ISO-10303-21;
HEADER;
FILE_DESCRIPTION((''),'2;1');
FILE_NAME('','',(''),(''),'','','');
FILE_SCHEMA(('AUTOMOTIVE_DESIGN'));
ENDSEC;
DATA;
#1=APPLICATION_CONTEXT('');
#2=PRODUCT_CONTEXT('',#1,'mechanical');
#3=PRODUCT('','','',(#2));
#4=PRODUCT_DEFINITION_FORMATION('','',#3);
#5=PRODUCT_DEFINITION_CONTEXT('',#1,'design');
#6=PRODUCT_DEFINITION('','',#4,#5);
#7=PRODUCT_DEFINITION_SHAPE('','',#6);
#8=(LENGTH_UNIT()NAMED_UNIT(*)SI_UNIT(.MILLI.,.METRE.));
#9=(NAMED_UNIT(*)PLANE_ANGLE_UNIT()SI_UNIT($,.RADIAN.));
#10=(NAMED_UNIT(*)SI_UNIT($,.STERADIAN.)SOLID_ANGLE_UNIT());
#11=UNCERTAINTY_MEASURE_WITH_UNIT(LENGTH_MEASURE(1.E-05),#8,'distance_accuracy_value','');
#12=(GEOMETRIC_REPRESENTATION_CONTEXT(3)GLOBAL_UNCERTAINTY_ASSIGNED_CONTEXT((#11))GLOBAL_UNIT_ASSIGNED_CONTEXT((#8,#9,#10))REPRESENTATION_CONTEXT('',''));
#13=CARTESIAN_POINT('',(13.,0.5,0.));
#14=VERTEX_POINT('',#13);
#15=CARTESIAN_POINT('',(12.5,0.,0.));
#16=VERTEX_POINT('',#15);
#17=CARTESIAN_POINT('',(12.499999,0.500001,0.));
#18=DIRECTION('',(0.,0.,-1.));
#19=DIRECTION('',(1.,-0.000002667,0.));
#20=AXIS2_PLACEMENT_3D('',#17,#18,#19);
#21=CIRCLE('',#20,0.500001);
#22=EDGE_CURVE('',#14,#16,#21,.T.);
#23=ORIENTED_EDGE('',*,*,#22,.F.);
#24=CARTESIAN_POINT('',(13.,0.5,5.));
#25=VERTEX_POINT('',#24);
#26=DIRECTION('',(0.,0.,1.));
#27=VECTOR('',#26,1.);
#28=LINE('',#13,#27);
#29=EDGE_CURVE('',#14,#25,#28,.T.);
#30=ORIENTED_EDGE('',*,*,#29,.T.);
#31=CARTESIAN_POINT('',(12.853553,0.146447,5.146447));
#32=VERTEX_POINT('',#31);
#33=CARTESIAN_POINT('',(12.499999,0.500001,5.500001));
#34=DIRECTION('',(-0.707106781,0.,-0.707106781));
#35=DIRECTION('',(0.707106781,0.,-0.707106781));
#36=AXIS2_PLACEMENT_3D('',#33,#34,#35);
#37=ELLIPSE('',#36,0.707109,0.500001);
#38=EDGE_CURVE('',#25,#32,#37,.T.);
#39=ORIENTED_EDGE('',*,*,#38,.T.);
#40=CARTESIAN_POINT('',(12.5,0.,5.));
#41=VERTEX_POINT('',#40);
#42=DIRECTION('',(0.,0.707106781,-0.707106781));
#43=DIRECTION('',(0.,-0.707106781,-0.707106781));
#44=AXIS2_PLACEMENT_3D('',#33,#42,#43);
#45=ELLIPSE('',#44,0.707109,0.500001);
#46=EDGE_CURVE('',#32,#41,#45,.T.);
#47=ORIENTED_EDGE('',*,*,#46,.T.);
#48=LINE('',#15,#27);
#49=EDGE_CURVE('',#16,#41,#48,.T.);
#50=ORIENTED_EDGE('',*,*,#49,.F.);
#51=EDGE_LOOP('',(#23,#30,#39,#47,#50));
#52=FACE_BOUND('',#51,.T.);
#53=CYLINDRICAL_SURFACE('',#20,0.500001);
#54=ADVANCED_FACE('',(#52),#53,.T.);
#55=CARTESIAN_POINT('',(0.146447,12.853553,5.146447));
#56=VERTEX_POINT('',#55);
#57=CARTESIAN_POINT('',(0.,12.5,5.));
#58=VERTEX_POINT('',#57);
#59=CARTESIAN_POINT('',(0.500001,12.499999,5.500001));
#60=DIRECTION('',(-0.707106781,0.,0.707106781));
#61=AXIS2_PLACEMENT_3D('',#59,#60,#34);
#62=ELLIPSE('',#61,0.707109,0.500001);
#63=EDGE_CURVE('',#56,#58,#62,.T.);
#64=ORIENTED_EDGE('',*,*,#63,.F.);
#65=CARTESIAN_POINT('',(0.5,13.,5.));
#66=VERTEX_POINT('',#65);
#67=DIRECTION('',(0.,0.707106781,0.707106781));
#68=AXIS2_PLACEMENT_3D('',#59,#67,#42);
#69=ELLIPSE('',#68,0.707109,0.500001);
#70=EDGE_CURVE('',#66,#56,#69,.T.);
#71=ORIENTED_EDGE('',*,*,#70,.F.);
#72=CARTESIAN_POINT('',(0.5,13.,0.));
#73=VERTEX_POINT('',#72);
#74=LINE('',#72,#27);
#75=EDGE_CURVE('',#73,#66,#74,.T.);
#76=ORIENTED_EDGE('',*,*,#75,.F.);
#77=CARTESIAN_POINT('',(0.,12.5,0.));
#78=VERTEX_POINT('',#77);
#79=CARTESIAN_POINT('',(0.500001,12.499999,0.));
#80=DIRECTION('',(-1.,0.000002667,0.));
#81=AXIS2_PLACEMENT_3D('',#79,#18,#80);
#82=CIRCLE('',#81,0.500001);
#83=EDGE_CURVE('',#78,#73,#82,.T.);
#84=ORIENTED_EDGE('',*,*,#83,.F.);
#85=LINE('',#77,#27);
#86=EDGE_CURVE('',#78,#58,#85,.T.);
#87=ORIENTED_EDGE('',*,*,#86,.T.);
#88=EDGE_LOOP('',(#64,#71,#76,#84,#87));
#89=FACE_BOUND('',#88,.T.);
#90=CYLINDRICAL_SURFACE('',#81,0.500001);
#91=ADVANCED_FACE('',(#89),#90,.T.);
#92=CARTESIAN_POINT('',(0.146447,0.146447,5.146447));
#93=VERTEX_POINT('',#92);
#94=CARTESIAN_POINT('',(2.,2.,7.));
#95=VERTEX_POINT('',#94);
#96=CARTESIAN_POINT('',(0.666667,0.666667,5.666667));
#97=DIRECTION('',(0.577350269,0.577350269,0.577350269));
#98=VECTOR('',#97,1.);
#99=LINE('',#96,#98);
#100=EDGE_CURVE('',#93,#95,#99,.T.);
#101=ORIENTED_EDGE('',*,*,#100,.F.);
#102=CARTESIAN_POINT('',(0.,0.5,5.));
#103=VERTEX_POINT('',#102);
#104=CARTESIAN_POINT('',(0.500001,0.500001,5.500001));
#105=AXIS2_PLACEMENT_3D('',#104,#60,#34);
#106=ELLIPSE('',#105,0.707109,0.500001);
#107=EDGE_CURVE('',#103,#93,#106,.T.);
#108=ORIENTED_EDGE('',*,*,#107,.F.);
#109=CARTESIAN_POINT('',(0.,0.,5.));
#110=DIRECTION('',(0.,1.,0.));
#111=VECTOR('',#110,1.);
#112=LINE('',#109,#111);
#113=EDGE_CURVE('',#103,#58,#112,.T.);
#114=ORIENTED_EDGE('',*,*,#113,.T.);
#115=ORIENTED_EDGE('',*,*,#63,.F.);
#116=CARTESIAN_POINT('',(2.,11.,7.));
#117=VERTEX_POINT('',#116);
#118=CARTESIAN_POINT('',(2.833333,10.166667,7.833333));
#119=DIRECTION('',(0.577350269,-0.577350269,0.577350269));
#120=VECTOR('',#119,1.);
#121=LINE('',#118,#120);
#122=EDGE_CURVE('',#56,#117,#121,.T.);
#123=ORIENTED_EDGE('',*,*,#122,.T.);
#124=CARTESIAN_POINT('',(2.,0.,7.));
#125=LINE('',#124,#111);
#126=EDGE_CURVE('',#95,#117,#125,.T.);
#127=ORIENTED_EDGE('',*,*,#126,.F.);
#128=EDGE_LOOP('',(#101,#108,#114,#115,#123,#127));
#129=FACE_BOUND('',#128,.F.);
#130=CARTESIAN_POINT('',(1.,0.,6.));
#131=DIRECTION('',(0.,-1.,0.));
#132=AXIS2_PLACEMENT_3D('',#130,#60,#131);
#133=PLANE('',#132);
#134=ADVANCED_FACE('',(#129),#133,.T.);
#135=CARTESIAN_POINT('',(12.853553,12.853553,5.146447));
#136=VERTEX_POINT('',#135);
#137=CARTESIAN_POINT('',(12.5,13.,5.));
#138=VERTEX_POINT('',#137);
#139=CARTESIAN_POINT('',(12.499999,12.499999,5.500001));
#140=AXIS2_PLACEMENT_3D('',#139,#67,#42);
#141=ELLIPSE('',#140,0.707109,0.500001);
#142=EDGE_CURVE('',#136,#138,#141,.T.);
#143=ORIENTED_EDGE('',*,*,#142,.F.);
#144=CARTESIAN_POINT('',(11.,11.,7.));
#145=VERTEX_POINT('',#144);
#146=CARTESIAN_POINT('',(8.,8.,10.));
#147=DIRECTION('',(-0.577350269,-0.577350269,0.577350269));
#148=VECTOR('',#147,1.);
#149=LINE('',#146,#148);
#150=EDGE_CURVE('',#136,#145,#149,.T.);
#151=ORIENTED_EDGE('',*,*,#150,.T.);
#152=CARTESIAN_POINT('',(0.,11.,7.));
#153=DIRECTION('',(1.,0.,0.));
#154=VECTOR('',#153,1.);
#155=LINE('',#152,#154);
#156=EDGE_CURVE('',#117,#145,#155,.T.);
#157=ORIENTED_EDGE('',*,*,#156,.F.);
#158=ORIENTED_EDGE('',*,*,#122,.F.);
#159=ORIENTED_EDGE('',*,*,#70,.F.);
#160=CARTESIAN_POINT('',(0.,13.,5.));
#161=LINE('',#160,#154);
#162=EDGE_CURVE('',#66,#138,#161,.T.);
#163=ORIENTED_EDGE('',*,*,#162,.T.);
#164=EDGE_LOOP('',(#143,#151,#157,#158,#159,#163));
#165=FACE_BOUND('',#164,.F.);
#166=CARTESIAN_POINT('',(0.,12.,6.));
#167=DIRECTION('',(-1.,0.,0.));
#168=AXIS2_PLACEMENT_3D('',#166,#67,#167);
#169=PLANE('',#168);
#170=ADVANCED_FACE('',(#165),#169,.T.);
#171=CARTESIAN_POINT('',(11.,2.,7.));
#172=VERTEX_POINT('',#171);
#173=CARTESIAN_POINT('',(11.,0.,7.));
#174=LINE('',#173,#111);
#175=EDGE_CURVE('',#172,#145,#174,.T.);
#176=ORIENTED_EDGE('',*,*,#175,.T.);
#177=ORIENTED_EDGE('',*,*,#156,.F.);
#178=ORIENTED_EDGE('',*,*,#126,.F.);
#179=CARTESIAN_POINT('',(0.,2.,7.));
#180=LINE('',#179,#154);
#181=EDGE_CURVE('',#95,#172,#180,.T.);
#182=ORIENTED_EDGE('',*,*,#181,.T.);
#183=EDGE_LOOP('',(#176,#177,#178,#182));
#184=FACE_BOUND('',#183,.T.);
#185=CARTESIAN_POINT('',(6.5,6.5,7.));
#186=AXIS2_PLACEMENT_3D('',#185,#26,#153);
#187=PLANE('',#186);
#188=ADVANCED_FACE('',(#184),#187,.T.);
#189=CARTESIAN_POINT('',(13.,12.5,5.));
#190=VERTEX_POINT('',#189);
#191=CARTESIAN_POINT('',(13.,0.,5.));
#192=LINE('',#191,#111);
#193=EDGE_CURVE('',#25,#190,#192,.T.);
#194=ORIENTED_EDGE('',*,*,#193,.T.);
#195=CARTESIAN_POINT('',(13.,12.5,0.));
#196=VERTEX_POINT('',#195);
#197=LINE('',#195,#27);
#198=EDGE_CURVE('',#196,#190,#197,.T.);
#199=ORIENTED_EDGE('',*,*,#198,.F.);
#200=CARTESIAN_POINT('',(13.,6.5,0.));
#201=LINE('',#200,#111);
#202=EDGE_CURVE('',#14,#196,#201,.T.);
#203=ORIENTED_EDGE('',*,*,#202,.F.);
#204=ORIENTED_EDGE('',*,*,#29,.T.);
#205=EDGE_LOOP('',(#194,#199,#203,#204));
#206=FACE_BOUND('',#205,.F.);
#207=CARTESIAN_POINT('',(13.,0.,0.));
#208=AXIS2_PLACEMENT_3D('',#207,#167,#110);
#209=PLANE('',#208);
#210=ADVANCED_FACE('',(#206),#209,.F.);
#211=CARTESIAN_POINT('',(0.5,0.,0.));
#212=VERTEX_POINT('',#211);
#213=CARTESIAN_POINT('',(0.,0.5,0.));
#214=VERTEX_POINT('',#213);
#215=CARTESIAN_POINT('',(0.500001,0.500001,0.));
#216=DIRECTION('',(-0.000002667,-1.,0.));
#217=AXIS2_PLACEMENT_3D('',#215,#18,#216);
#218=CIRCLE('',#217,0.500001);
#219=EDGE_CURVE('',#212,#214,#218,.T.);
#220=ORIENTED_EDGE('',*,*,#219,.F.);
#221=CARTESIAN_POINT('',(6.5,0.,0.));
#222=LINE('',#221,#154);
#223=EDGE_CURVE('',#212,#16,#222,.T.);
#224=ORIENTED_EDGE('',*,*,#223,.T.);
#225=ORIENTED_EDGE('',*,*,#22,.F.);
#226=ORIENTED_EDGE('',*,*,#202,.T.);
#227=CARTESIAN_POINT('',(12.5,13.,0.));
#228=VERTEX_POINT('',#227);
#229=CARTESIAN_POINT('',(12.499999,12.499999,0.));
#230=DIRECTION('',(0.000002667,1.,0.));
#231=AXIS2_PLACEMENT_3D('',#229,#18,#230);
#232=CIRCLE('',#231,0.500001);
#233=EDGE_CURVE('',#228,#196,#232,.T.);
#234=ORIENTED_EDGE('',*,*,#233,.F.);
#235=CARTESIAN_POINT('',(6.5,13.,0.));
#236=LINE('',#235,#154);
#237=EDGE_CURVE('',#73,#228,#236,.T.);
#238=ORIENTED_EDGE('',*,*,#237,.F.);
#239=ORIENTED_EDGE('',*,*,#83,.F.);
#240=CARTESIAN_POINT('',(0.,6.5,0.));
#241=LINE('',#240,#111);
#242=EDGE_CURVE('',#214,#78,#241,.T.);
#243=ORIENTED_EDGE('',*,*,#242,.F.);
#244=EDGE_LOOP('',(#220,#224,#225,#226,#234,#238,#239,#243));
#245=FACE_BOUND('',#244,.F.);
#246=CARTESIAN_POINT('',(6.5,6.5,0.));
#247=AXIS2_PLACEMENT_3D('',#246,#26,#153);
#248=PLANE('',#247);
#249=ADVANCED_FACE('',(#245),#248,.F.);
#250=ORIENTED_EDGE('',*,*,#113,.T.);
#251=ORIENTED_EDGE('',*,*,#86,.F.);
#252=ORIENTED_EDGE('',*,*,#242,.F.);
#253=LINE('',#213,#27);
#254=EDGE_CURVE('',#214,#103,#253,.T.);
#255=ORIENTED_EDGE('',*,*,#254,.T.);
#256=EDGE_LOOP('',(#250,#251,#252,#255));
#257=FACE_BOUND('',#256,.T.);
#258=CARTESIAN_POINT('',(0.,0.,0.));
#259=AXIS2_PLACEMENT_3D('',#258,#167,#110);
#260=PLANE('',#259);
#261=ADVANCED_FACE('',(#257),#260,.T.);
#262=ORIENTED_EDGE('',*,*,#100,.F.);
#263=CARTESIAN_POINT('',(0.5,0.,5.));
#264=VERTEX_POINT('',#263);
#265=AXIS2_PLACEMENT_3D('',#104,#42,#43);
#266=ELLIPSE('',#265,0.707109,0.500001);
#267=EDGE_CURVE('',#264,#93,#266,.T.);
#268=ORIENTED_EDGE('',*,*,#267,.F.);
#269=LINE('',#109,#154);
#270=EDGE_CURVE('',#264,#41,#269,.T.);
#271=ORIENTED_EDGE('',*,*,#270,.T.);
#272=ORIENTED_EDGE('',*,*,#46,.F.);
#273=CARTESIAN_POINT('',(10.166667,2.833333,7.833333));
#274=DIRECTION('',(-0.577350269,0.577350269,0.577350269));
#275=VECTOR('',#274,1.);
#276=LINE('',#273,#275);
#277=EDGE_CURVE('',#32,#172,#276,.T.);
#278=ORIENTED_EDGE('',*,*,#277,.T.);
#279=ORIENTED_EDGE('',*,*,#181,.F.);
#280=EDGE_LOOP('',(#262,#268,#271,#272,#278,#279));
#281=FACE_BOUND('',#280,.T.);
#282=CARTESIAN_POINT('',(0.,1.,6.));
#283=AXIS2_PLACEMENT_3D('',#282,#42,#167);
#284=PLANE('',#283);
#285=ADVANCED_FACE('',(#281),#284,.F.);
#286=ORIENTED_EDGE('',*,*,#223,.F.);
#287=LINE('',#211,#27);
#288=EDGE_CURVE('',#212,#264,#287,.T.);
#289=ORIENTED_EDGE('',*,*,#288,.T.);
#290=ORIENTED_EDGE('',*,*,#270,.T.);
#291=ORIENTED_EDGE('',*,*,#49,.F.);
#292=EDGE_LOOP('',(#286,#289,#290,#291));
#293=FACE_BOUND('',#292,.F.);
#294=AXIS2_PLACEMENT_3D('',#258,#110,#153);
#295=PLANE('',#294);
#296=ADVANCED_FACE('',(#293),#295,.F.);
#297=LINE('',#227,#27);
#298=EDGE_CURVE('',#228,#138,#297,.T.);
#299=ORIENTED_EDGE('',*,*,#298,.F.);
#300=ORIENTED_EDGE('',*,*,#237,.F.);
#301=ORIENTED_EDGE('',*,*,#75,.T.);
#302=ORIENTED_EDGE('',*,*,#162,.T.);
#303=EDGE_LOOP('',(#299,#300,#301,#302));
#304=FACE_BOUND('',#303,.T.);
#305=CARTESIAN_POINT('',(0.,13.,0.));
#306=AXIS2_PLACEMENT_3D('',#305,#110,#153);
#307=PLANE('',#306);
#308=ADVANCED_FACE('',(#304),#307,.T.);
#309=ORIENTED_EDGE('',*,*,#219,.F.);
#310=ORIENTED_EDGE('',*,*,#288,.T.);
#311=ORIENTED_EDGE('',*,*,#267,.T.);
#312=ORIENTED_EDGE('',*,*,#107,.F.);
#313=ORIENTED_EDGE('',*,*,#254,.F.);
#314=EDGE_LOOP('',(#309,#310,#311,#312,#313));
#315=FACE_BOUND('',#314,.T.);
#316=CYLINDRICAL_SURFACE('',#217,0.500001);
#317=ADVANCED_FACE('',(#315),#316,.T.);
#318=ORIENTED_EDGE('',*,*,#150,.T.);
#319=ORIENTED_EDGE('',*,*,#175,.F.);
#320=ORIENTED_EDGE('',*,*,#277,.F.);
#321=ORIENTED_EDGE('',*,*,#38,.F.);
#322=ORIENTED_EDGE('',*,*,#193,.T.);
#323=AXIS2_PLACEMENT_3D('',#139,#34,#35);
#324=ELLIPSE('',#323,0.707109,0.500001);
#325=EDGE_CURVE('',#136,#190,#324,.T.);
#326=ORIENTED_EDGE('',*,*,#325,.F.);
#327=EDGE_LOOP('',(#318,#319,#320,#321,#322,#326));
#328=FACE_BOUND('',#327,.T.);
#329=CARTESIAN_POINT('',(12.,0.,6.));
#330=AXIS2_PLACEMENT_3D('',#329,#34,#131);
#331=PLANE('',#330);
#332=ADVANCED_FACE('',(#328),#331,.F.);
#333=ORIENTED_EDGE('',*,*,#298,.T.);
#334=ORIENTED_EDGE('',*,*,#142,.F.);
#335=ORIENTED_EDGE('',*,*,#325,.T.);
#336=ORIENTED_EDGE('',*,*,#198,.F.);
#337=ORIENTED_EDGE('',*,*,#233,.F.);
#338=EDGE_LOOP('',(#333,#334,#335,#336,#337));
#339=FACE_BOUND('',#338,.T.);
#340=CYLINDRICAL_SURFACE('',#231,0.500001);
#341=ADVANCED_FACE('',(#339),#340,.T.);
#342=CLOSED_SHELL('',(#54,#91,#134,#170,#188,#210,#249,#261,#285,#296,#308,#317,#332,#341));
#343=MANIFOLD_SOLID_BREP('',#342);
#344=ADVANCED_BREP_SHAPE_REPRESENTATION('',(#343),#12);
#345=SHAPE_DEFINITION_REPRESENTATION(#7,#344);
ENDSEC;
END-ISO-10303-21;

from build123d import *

# Parameters (mm, degrees)
SKETCH_W     = 13
SKETCH_H     = 13
PAD_DEPTH    = 7
CHAMFER_SIZE = 2
POCKET_DEPTH = 7


with BuildPart() as part:
    # Sketch → Pad (new body)
    with BuildSketch(Plane.XY):
        with Locations((6.5, 6.5)):
            Rectangle(SKETCH_W, SKETCH_H)
    extrude(amount=PAD_DEPTH)

    # Chamfer
    chamfer_edges = [part.edges().sort_by_distance(p)[0] for p in [
        (0, 6.5, 7),
        (6.5, 13, 7),
        (6.5, 0, 7),
        (13, 6.5, 7),
    ]]
    chamfer(chamfer_edges, length=CHAMFER_SIZE)

    # Sketch002 (on Face4 of Chamfer) → Pocket (cut)
    with BuildSketch(Plane(origin=(0, 0, 0), x_dir=(1, 0, 0), z_dir=(0, 0, -1))):
        with BuildLine():
            Line((0, 0), (0, -0.5))
            ThreePointArc((0.5, 0), (0.146447, -0.146447), (0, -0.5))
            Line((0, 0), (0.5, 0))
        make_face()
        with BuildLine():
            Line((13, 0), (12.5, 0))
            ThreePointArc((13, -0.5), (12.853553, -0.146447), (12.5, 0))
            Line((13, 0), (13, -0.5))
        make_face()
        with BuildLine():
            Line((0, -12.5), (0, -13))
            Line((0, -13), (0.5, -13))
            ThreePointArc((0, -12.5), (0.146447, -12.853553), (0.5, -13))
        make_face()
        with BuildLine():
            Line((13, -12.5), (13, -13))
            Line((13, -13), (12.5, -13))
            ThreePointArc((12.5, -13), (12.853553, -12.853553), (13, -12.5))
        make_face()
    extrude(amount=-POCKET_DEPTH, mode=Mode.SUBTRACT)


solid = part.part
